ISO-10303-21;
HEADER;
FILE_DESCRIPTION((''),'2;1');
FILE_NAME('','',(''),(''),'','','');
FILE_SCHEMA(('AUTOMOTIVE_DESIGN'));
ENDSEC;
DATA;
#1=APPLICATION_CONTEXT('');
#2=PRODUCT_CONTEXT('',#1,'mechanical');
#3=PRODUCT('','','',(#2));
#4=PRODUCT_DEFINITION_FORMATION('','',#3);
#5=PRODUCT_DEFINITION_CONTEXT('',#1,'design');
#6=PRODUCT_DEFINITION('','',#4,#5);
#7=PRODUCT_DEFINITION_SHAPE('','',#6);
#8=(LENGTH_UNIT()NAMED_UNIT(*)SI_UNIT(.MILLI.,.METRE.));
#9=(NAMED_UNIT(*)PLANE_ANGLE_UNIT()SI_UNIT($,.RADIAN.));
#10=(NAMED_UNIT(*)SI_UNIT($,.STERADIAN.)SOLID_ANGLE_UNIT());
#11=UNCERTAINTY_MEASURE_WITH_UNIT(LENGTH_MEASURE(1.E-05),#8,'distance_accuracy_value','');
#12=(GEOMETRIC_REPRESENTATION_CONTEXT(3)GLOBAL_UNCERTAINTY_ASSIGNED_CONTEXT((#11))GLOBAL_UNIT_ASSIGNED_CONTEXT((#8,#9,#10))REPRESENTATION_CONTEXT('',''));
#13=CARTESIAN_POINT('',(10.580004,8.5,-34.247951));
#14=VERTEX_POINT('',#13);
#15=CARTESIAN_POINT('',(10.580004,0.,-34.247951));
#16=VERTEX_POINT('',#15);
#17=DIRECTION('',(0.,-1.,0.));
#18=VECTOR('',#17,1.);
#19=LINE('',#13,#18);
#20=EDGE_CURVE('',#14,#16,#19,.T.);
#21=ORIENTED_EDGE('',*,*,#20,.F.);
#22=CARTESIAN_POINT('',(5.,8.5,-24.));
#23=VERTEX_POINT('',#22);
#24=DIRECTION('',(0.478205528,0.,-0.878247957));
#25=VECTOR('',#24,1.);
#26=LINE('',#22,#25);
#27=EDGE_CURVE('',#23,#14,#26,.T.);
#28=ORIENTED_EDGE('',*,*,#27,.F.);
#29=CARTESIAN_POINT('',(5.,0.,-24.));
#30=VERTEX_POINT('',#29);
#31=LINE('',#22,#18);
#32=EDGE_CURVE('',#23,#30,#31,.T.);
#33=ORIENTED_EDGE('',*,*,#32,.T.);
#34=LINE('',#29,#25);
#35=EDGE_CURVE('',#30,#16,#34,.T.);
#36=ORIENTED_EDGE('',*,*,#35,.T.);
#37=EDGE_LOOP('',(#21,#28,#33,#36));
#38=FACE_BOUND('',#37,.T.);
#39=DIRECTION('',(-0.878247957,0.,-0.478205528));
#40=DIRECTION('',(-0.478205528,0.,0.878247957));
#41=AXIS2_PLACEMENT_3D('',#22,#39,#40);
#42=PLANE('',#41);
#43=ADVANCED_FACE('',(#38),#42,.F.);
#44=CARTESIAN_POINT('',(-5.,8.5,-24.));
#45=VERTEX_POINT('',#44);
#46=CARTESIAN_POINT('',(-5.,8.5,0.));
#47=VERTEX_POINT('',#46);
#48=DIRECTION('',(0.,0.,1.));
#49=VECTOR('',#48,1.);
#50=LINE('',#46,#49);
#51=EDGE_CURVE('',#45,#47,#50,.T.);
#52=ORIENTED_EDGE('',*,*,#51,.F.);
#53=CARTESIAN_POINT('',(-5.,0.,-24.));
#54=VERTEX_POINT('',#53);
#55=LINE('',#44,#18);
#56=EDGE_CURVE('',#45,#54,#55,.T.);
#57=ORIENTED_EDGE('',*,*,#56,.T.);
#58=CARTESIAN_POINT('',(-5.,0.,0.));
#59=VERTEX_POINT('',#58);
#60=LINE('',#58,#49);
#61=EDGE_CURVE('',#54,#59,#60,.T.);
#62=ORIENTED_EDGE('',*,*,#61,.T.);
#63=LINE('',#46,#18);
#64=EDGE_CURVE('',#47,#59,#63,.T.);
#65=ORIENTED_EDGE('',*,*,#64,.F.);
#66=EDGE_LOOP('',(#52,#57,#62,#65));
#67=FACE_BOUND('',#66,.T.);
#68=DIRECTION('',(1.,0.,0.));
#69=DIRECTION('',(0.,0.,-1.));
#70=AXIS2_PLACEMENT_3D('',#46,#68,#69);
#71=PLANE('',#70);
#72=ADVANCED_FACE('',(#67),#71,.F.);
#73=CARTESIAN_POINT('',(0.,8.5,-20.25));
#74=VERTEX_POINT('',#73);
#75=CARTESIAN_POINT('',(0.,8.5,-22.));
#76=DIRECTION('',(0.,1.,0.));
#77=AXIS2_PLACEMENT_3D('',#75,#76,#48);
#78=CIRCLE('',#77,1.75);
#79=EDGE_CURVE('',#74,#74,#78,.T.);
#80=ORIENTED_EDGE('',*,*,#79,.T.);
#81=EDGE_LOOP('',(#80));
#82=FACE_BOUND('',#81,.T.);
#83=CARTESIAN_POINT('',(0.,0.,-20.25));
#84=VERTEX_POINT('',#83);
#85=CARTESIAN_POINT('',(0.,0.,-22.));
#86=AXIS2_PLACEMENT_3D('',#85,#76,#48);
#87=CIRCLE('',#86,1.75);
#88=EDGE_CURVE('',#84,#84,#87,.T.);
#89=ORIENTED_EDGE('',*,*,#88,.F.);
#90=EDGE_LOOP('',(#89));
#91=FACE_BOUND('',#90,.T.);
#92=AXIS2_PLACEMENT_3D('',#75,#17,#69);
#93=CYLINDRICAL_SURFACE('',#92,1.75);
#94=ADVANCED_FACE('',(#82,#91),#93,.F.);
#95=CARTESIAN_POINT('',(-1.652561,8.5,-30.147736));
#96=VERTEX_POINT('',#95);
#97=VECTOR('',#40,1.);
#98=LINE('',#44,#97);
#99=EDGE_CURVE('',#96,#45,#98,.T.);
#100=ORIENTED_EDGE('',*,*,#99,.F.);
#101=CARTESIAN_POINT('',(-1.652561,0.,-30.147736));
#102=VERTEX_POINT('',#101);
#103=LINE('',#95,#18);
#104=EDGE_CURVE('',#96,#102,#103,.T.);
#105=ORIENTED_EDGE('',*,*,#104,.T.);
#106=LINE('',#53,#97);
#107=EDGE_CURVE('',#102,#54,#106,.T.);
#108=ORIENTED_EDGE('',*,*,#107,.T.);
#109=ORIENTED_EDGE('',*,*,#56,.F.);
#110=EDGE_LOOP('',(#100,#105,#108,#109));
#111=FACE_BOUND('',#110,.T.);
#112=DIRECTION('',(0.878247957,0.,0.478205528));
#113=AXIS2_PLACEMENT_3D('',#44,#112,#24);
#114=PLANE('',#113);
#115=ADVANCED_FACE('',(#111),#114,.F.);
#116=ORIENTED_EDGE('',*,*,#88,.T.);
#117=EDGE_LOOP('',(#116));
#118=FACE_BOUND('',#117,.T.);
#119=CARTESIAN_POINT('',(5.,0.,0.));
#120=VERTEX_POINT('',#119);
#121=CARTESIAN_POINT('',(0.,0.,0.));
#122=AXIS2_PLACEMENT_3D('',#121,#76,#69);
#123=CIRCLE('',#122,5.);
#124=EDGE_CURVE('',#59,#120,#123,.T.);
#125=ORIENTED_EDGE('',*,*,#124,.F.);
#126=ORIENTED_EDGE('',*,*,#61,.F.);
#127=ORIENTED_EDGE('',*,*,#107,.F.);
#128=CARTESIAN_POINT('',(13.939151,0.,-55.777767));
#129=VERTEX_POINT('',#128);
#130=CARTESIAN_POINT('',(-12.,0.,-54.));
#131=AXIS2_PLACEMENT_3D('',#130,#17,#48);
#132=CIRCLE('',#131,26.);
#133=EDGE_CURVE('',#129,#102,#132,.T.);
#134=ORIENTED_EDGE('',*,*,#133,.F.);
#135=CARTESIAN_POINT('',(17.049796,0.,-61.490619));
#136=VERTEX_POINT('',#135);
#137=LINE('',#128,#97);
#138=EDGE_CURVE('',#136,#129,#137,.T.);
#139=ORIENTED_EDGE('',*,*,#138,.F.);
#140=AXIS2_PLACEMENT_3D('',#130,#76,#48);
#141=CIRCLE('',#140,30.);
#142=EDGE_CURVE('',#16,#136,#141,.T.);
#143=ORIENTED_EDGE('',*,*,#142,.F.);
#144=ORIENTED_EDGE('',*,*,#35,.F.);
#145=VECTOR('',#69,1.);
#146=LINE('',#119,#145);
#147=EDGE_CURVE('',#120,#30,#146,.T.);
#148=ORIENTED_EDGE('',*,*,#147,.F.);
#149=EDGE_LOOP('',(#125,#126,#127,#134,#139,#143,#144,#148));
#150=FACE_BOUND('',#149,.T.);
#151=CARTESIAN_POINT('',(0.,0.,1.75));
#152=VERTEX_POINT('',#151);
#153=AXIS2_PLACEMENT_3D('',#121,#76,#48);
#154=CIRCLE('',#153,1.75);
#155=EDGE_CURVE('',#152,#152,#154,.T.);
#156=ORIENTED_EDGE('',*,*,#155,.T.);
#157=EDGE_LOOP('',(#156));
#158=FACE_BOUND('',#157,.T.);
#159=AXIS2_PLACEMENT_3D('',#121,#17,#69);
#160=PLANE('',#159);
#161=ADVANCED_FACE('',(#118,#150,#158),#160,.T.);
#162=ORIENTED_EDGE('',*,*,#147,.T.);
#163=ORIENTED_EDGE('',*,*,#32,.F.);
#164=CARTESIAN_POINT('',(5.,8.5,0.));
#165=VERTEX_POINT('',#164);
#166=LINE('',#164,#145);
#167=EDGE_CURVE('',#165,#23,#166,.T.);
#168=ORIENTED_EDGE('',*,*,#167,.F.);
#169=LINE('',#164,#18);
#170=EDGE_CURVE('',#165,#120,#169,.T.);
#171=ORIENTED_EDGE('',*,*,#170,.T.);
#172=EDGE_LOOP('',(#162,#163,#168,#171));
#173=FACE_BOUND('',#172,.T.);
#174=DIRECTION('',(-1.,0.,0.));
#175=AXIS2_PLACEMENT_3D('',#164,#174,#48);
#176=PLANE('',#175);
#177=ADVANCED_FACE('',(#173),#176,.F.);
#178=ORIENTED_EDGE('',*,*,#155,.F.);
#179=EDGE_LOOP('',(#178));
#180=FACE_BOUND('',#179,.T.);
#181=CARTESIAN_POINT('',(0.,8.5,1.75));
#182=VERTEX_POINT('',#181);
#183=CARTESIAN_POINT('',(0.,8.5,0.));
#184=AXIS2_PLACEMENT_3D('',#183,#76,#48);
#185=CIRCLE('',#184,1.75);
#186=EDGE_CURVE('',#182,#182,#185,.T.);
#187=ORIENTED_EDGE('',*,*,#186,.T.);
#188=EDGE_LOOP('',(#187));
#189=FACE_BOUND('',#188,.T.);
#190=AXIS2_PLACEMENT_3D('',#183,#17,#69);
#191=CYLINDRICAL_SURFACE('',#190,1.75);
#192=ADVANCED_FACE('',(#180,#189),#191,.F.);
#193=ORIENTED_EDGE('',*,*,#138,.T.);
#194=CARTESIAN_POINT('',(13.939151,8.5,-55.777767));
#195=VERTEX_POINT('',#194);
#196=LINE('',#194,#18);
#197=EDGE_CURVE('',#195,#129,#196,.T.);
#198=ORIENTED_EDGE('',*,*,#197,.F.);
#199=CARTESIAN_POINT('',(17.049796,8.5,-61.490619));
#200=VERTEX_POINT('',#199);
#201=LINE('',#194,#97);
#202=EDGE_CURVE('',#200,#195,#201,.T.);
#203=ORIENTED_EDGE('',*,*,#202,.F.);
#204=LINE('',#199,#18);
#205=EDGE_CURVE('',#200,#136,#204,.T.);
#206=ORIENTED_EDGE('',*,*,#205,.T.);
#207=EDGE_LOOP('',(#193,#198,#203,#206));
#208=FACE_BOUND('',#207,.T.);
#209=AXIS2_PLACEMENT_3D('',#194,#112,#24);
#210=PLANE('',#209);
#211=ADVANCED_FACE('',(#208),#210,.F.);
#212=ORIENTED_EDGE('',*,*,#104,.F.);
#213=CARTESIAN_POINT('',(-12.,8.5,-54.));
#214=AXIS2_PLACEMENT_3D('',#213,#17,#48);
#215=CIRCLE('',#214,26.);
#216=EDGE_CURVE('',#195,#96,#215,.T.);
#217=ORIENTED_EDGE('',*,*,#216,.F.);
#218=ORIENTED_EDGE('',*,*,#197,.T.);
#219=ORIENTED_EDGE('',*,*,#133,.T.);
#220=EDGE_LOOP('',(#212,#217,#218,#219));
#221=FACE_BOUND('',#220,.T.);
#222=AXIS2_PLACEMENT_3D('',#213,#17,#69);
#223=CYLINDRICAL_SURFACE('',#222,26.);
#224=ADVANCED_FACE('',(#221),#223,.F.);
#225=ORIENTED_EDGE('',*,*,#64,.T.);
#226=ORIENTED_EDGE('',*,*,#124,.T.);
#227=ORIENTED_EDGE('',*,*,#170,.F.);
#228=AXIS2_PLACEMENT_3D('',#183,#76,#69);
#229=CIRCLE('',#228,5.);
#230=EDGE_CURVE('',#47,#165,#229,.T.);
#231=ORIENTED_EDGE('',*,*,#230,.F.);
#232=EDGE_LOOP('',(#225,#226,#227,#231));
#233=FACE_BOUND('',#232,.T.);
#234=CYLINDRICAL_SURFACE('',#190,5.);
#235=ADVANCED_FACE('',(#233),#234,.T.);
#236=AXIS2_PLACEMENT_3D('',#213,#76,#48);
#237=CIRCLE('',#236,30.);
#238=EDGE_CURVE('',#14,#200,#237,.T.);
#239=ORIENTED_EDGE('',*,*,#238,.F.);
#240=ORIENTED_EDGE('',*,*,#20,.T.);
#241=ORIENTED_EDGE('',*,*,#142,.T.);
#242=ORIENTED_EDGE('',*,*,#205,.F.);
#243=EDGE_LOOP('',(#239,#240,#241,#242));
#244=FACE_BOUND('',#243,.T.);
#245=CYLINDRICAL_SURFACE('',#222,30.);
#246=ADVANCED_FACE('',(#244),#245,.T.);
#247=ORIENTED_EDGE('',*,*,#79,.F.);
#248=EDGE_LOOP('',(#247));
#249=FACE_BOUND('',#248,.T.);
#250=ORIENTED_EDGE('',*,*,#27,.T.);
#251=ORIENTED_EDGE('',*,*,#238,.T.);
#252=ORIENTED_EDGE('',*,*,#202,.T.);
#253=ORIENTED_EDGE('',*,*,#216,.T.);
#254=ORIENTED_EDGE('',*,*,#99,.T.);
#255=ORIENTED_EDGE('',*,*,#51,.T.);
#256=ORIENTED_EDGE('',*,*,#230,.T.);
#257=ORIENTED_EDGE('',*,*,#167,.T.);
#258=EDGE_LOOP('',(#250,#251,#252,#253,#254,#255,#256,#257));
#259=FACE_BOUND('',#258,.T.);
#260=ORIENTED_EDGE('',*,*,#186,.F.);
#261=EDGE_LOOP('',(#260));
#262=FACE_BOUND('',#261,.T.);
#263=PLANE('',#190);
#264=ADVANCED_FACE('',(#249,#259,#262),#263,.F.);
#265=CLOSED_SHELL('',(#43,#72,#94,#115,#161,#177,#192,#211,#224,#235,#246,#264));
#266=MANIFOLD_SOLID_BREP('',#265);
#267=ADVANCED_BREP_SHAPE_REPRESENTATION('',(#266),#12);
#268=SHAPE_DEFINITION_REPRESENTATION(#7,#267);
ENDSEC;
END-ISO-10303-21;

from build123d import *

# Parameters (mm, degrees)
SKETCH_1_R      = 1.75
EXTRUDE_1_DEPTH = 8.5


with BuildPart() as part:
    # 草图1 → 凸台-拉伸1 (new body)
    with BuildSketch(Plane(origin=(0, 0, 0), x_dir=(1, 0, 0), z_dir=(0, 1, 0))):
        with BuildLine():
            Line((-5, 0), (-5, 24))
            Line((-5, 24), (-1.652561305, 30.147735696))
            ThreePointArc((-1.652561305, 30.147735696), (10.212693953, 40.487182849), (13.939150793, 55.777767179))
            Line((13.939150793, 55.777767179), (17.049795585, 61.490619233))
            ThreePointArc((17.049795585, 61.490619233), (17.188178873, 47.06817383), (10.58000386, 34.247951355))
            Line((10.58000386, 34.247951355), (5, 24))
            Line((5, 24), (5, 0))
            ThreePointArc((5, 0), (0, -5), (-5, 0))
        make_face()
        with Locations(Location((0, 0, 0), (0, 0, 270))):
            Circle(SKETCH_1_R, mode=Mode.SUBTRACT)
        with Locations(Location((0, 22, 0), (0, 0, 270))):
            Circle(SKETCH_1_R, mode=Mode.SUBTRACT)
    extrude(amount=EXTRUDE_1_DEPTH)


solid = part.part
